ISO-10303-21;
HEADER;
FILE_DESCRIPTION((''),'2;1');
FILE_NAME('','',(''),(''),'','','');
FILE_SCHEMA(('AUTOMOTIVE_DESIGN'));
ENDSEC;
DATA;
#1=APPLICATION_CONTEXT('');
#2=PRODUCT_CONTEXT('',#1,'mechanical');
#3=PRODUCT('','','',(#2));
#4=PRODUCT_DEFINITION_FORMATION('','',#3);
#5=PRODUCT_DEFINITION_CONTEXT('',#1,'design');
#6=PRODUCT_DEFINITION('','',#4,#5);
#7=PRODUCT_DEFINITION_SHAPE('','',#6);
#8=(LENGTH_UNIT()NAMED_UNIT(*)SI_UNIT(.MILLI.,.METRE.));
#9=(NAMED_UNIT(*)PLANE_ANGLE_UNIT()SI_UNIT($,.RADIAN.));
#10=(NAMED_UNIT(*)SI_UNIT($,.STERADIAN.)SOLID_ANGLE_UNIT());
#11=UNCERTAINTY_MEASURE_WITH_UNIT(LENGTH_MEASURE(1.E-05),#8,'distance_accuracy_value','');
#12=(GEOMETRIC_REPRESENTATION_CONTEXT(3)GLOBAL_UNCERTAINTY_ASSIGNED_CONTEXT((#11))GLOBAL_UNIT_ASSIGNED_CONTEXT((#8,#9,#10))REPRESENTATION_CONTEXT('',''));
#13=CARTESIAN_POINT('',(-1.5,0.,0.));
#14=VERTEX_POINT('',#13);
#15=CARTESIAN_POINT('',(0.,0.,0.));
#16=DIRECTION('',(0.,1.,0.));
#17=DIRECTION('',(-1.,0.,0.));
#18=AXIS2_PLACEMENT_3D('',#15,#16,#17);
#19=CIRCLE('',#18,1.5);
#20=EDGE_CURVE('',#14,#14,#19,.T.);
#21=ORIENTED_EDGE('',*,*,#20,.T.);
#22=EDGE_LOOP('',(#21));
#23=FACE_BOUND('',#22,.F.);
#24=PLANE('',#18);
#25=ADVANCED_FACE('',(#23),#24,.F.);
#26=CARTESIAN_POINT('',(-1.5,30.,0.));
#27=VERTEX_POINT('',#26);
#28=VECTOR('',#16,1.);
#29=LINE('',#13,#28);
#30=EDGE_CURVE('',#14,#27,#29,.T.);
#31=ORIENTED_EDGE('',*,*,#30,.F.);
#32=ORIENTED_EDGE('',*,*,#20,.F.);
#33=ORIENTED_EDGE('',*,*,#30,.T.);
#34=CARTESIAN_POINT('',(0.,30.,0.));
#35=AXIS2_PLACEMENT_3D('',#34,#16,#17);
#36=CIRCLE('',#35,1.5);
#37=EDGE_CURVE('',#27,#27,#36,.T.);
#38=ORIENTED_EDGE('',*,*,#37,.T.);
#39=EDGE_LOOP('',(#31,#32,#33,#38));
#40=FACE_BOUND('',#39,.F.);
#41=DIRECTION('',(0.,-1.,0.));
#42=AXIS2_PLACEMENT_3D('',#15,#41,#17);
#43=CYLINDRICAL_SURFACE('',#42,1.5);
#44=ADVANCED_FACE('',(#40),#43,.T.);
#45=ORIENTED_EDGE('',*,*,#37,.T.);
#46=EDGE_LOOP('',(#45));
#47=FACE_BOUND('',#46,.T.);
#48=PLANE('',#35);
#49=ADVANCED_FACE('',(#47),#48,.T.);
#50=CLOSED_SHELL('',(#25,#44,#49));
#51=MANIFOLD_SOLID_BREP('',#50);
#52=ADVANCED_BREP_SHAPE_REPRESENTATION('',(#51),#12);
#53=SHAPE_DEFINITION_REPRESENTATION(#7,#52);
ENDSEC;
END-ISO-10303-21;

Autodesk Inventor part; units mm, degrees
ref_plane "YZ Plane" through (0, 0, 0) normal (1, 0, 0) x (0, 1, 0)
ref_plane "XZ Plane" through (0, 0, 0) normal (0, 1, 0) x (-1, 0, 0)
ref_plane "XY Plane" through (0, 0, 0) normal (0, 0, 1) x (1, 0, 0)
sketch "Sketch1" plane through (0, 0, 0) normal (0, 1, 0) x (-1, 0, 0)
  circle A0 centre (0, 0) radius 1.5
  dimension "d0" = 3
extrude "Extrusion1" add sketch "Sketch1" along normal blind 30
thread "Thread1" size "M3x0.5" class "6g" standard "ANSI Metric M Profile" full length
properties part number "Connecting Rod"
